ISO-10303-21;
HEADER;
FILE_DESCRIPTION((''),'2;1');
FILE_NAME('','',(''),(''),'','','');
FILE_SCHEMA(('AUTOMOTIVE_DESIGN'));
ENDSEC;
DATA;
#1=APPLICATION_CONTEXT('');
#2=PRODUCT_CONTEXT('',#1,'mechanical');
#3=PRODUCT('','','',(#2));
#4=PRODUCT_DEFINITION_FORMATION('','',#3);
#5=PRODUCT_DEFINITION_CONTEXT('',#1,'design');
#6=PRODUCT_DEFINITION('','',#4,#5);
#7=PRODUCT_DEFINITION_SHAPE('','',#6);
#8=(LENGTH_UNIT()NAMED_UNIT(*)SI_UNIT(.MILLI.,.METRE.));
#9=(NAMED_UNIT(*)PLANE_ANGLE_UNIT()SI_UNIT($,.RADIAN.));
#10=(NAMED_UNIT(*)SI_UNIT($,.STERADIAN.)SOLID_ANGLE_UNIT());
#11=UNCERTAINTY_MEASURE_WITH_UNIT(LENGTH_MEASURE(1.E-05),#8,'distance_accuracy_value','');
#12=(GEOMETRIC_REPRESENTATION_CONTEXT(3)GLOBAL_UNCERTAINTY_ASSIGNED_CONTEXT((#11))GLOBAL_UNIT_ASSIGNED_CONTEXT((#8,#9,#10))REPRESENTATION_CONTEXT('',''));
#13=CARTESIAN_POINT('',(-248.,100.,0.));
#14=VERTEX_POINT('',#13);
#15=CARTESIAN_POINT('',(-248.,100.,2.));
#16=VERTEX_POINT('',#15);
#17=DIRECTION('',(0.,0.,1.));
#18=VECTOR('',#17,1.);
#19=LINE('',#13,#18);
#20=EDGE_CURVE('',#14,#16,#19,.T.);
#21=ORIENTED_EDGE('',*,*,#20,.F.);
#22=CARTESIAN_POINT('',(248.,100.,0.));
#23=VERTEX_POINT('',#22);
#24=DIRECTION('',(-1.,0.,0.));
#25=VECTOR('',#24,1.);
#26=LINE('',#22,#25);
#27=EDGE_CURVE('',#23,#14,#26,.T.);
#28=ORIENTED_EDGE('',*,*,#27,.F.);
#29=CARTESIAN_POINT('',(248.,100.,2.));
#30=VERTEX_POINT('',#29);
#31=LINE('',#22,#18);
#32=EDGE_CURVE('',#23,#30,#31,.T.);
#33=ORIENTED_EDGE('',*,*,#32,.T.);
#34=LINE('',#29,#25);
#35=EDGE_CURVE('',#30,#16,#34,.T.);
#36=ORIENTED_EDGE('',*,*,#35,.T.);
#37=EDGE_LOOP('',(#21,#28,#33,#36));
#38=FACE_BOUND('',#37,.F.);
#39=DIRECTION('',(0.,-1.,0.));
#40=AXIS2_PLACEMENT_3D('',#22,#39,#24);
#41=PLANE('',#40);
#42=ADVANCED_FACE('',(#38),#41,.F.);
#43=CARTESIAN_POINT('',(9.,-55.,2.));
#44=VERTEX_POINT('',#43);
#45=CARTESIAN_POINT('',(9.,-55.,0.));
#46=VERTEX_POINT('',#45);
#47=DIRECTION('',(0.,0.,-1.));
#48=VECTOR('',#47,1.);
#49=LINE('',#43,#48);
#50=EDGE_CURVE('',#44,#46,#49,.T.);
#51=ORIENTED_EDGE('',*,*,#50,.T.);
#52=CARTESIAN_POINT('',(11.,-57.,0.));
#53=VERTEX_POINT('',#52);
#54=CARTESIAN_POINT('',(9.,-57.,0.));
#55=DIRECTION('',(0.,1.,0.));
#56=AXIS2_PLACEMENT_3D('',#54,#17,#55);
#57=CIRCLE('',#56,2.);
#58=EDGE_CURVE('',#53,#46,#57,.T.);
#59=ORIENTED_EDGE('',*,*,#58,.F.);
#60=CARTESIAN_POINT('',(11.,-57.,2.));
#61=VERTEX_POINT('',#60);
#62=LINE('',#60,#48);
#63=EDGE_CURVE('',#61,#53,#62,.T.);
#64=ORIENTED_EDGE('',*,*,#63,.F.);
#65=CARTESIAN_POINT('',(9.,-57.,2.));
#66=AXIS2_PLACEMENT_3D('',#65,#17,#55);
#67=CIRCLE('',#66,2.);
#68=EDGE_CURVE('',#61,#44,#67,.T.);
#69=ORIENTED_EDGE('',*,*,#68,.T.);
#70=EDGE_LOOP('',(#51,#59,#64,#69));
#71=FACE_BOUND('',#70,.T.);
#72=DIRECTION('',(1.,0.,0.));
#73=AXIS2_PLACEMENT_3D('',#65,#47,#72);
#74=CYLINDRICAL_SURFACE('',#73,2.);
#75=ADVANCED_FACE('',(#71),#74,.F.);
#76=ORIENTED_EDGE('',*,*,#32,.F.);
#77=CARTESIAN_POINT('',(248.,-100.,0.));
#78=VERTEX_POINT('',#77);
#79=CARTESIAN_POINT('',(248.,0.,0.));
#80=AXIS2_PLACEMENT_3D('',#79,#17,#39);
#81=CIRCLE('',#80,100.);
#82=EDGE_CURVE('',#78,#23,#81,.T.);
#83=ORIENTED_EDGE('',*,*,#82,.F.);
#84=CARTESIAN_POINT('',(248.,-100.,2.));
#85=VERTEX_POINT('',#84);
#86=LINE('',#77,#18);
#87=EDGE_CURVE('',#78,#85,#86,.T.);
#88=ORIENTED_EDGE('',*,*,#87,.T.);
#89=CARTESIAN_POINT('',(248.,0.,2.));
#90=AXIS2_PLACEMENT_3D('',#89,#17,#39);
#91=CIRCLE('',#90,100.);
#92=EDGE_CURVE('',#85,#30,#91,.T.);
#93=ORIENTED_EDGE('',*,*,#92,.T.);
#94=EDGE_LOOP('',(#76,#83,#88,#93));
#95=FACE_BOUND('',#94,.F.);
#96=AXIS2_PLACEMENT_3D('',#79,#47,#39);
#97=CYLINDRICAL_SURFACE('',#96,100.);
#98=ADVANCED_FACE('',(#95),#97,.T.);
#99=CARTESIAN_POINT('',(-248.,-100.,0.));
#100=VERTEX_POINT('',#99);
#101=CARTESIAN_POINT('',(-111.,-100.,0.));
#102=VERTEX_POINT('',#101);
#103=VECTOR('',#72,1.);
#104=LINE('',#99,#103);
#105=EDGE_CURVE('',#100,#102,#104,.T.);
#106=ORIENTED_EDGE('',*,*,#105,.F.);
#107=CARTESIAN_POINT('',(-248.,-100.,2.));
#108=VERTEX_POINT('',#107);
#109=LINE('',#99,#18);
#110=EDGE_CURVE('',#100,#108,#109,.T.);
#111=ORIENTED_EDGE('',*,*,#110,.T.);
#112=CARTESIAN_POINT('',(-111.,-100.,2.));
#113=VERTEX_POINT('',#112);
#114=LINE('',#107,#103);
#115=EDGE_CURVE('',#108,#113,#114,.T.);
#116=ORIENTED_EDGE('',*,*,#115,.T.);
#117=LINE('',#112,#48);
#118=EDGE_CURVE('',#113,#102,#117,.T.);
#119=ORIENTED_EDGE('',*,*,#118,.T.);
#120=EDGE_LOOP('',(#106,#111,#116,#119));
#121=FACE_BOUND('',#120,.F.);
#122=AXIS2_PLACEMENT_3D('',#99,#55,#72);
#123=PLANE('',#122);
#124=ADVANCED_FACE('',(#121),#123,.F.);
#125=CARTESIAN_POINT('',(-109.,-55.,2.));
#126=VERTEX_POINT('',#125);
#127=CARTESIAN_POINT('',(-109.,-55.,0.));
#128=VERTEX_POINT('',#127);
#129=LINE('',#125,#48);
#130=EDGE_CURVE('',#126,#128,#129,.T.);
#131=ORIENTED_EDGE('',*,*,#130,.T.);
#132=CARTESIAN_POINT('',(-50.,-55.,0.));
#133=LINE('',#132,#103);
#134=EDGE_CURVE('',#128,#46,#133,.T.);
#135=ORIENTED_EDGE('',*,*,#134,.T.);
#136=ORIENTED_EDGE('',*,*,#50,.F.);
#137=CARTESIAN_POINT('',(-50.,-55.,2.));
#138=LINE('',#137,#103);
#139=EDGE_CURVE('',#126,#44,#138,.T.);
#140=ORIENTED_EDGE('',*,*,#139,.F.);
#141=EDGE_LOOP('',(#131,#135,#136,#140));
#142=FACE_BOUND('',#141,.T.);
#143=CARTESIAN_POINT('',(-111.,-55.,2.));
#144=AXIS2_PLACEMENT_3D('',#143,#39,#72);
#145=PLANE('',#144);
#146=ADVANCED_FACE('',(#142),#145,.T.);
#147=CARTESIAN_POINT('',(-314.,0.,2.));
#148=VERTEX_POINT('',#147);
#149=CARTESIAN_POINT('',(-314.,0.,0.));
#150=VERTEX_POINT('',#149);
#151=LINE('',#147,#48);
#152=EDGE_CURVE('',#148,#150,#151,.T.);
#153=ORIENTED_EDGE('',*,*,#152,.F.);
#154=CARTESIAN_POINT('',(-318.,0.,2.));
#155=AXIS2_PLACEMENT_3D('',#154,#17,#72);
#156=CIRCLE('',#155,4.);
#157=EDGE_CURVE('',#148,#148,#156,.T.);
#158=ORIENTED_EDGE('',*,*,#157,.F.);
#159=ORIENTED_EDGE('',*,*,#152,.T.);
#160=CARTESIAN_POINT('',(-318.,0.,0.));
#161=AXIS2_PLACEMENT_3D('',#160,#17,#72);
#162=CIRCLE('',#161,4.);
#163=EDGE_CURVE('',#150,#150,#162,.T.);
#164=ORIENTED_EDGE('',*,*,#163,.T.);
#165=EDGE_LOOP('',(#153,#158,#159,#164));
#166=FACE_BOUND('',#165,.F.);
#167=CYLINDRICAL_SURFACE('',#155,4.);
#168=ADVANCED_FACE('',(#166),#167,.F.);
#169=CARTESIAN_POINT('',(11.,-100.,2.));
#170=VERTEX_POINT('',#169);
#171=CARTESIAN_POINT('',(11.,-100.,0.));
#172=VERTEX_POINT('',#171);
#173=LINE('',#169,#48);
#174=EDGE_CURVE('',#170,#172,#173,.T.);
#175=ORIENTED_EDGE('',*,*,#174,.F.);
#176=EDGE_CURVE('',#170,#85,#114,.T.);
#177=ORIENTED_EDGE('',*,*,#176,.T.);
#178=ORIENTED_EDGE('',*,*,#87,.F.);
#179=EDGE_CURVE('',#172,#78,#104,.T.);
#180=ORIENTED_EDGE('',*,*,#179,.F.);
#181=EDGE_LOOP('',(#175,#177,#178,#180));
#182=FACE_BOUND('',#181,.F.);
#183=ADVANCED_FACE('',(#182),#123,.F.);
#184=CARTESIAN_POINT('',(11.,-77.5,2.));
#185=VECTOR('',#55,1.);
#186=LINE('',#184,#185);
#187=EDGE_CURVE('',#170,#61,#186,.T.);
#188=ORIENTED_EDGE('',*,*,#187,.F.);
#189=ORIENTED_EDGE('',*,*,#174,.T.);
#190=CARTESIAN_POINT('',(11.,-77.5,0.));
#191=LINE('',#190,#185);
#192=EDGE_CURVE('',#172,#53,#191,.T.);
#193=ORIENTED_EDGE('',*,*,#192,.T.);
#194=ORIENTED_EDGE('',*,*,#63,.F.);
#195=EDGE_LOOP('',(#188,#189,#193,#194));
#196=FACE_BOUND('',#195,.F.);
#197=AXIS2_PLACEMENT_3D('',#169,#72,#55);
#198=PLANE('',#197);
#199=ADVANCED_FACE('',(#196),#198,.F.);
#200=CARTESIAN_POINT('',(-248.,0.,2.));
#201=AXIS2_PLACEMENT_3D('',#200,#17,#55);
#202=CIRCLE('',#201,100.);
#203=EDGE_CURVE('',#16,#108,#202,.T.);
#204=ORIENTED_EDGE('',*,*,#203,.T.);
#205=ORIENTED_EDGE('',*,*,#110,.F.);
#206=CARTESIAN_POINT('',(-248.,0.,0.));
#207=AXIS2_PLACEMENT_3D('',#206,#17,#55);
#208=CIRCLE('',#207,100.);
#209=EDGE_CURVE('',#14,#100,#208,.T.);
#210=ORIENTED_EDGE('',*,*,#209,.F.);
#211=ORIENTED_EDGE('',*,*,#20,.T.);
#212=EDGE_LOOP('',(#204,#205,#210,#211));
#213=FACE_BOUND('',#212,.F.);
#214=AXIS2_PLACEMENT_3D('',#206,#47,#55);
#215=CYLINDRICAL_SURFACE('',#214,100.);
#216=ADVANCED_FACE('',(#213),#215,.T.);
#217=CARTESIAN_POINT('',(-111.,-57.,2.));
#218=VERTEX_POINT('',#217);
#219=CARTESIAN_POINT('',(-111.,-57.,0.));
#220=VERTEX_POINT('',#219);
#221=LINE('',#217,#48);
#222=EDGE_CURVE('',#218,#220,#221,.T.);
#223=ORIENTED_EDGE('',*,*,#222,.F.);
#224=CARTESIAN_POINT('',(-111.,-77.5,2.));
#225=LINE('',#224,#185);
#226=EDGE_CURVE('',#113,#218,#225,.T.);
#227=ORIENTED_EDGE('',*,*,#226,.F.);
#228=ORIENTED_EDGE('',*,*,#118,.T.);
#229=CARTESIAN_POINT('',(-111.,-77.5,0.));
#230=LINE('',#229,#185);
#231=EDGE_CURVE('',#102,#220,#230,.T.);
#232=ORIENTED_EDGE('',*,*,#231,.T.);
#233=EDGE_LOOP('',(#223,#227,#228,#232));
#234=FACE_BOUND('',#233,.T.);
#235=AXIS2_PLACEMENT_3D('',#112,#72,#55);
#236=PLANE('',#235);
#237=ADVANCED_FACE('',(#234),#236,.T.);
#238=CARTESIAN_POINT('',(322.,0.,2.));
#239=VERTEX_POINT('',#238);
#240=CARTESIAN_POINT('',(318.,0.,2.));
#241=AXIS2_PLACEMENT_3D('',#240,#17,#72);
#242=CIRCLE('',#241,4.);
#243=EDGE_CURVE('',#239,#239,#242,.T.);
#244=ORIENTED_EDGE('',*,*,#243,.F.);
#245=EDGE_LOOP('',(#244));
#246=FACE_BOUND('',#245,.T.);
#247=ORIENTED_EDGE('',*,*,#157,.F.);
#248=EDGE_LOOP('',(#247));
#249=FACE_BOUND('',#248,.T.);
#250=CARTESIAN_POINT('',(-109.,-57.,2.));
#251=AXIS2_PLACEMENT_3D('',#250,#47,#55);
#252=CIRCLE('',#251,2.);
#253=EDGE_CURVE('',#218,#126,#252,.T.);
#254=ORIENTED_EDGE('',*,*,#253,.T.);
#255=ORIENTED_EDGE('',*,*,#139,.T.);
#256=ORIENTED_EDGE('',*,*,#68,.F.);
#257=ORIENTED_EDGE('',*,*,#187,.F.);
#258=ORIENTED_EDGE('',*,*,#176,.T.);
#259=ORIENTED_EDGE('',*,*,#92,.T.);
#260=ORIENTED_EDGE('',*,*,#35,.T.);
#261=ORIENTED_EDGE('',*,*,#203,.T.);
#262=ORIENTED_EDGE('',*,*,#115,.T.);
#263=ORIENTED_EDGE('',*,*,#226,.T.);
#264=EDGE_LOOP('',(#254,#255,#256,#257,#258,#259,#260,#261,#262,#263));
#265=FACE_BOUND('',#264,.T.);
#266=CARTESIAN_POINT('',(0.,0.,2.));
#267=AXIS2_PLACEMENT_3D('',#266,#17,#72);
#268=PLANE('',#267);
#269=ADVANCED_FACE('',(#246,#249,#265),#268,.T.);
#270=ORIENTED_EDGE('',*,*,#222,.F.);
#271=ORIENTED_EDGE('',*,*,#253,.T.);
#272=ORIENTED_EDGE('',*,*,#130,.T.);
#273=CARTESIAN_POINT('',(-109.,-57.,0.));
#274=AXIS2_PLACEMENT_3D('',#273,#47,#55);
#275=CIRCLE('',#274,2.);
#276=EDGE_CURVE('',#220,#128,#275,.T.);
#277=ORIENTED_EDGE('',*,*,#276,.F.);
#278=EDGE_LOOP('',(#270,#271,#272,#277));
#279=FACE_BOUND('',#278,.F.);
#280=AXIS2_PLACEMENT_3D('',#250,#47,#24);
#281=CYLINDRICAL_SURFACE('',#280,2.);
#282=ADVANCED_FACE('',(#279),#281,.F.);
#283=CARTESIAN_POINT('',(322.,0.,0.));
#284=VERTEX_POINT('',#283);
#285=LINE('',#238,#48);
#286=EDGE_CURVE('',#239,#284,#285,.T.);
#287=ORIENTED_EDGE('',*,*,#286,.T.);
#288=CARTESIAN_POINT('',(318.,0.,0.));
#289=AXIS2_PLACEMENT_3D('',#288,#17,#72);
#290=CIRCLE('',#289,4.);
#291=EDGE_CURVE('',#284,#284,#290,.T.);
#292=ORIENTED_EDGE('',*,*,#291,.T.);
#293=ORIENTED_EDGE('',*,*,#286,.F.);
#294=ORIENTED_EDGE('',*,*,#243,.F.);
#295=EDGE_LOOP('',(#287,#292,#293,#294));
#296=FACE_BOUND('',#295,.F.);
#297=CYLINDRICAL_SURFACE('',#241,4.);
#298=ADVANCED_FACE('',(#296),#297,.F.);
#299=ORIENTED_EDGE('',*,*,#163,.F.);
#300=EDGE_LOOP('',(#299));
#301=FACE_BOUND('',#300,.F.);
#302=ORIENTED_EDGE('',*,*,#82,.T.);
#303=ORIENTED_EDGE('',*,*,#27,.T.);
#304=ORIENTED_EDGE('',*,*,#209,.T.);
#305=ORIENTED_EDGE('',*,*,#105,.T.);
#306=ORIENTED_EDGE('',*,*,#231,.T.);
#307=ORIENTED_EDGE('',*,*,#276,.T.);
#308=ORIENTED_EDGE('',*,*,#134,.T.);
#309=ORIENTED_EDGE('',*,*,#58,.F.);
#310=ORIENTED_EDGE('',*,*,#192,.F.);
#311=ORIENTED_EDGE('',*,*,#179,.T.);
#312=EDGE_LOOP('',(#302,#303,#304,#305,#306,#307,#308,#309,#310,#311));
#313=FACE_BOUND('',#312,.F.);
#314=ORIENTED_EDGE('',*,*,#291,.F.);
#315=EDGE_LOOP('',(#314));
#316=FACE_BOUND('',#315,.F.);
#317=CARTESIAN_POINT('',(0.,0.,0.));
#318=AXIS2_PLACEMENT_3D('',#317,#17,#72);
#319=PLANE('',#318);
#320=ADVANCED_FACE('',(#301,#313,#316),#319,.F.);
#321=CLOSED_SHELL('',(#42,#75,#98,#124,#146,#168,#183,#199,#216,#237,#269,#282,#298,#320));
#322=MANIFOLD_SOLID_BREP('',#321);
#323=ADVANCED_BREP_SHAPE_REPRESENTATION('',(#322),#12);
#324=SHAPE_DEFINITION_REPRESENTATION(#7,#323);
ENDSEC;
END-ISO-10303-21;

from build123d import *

# Parameters (mm, degrees)
F1_DEPTH = 2
F2_R     = 4
F2_W     = 122
F2_H     = 45
F3_DEPTH = 2
F4_R     = 2


with BuildPart() as f1:
    # F0 (on Top) → F1 (new body)
    with BuildSketch(Plane.XY):
        with BuildLine():
            Line((-248, -100), (248, -100))
            ThreePointArc((248, -100), (348, 0), (248, 100))
            Line((248, 100), (-248, 100))
            ThreePointArc((-248, 100), (-348, 0), (-248, -100))
        make_face()
    extrude(amount=F1_DEPTH)

    # F2 (on face) → F3 (cut, through all)
    with BuildSketch(Plane.XY.offset(2)):
        with Locations((318, 0)):
            Circle(F2_R)
        with Locations((-318, 0)):
            Circle(F2_R)
        with Locations((-50, -77.5)):
            Rectangle(F2_W, F2_H)
    extrude(amount=-F3_DEPTH, mode=Mode.SUBTRACT)

    # F4
    f4_edges = [f1.edges().sort_by_distance(p)[0] for p in [
        (11, -55, 1),
        (-111, -55, 1),
    ]]
    fillet(f4_edges, radius=F4_R)


solid = f1.part
